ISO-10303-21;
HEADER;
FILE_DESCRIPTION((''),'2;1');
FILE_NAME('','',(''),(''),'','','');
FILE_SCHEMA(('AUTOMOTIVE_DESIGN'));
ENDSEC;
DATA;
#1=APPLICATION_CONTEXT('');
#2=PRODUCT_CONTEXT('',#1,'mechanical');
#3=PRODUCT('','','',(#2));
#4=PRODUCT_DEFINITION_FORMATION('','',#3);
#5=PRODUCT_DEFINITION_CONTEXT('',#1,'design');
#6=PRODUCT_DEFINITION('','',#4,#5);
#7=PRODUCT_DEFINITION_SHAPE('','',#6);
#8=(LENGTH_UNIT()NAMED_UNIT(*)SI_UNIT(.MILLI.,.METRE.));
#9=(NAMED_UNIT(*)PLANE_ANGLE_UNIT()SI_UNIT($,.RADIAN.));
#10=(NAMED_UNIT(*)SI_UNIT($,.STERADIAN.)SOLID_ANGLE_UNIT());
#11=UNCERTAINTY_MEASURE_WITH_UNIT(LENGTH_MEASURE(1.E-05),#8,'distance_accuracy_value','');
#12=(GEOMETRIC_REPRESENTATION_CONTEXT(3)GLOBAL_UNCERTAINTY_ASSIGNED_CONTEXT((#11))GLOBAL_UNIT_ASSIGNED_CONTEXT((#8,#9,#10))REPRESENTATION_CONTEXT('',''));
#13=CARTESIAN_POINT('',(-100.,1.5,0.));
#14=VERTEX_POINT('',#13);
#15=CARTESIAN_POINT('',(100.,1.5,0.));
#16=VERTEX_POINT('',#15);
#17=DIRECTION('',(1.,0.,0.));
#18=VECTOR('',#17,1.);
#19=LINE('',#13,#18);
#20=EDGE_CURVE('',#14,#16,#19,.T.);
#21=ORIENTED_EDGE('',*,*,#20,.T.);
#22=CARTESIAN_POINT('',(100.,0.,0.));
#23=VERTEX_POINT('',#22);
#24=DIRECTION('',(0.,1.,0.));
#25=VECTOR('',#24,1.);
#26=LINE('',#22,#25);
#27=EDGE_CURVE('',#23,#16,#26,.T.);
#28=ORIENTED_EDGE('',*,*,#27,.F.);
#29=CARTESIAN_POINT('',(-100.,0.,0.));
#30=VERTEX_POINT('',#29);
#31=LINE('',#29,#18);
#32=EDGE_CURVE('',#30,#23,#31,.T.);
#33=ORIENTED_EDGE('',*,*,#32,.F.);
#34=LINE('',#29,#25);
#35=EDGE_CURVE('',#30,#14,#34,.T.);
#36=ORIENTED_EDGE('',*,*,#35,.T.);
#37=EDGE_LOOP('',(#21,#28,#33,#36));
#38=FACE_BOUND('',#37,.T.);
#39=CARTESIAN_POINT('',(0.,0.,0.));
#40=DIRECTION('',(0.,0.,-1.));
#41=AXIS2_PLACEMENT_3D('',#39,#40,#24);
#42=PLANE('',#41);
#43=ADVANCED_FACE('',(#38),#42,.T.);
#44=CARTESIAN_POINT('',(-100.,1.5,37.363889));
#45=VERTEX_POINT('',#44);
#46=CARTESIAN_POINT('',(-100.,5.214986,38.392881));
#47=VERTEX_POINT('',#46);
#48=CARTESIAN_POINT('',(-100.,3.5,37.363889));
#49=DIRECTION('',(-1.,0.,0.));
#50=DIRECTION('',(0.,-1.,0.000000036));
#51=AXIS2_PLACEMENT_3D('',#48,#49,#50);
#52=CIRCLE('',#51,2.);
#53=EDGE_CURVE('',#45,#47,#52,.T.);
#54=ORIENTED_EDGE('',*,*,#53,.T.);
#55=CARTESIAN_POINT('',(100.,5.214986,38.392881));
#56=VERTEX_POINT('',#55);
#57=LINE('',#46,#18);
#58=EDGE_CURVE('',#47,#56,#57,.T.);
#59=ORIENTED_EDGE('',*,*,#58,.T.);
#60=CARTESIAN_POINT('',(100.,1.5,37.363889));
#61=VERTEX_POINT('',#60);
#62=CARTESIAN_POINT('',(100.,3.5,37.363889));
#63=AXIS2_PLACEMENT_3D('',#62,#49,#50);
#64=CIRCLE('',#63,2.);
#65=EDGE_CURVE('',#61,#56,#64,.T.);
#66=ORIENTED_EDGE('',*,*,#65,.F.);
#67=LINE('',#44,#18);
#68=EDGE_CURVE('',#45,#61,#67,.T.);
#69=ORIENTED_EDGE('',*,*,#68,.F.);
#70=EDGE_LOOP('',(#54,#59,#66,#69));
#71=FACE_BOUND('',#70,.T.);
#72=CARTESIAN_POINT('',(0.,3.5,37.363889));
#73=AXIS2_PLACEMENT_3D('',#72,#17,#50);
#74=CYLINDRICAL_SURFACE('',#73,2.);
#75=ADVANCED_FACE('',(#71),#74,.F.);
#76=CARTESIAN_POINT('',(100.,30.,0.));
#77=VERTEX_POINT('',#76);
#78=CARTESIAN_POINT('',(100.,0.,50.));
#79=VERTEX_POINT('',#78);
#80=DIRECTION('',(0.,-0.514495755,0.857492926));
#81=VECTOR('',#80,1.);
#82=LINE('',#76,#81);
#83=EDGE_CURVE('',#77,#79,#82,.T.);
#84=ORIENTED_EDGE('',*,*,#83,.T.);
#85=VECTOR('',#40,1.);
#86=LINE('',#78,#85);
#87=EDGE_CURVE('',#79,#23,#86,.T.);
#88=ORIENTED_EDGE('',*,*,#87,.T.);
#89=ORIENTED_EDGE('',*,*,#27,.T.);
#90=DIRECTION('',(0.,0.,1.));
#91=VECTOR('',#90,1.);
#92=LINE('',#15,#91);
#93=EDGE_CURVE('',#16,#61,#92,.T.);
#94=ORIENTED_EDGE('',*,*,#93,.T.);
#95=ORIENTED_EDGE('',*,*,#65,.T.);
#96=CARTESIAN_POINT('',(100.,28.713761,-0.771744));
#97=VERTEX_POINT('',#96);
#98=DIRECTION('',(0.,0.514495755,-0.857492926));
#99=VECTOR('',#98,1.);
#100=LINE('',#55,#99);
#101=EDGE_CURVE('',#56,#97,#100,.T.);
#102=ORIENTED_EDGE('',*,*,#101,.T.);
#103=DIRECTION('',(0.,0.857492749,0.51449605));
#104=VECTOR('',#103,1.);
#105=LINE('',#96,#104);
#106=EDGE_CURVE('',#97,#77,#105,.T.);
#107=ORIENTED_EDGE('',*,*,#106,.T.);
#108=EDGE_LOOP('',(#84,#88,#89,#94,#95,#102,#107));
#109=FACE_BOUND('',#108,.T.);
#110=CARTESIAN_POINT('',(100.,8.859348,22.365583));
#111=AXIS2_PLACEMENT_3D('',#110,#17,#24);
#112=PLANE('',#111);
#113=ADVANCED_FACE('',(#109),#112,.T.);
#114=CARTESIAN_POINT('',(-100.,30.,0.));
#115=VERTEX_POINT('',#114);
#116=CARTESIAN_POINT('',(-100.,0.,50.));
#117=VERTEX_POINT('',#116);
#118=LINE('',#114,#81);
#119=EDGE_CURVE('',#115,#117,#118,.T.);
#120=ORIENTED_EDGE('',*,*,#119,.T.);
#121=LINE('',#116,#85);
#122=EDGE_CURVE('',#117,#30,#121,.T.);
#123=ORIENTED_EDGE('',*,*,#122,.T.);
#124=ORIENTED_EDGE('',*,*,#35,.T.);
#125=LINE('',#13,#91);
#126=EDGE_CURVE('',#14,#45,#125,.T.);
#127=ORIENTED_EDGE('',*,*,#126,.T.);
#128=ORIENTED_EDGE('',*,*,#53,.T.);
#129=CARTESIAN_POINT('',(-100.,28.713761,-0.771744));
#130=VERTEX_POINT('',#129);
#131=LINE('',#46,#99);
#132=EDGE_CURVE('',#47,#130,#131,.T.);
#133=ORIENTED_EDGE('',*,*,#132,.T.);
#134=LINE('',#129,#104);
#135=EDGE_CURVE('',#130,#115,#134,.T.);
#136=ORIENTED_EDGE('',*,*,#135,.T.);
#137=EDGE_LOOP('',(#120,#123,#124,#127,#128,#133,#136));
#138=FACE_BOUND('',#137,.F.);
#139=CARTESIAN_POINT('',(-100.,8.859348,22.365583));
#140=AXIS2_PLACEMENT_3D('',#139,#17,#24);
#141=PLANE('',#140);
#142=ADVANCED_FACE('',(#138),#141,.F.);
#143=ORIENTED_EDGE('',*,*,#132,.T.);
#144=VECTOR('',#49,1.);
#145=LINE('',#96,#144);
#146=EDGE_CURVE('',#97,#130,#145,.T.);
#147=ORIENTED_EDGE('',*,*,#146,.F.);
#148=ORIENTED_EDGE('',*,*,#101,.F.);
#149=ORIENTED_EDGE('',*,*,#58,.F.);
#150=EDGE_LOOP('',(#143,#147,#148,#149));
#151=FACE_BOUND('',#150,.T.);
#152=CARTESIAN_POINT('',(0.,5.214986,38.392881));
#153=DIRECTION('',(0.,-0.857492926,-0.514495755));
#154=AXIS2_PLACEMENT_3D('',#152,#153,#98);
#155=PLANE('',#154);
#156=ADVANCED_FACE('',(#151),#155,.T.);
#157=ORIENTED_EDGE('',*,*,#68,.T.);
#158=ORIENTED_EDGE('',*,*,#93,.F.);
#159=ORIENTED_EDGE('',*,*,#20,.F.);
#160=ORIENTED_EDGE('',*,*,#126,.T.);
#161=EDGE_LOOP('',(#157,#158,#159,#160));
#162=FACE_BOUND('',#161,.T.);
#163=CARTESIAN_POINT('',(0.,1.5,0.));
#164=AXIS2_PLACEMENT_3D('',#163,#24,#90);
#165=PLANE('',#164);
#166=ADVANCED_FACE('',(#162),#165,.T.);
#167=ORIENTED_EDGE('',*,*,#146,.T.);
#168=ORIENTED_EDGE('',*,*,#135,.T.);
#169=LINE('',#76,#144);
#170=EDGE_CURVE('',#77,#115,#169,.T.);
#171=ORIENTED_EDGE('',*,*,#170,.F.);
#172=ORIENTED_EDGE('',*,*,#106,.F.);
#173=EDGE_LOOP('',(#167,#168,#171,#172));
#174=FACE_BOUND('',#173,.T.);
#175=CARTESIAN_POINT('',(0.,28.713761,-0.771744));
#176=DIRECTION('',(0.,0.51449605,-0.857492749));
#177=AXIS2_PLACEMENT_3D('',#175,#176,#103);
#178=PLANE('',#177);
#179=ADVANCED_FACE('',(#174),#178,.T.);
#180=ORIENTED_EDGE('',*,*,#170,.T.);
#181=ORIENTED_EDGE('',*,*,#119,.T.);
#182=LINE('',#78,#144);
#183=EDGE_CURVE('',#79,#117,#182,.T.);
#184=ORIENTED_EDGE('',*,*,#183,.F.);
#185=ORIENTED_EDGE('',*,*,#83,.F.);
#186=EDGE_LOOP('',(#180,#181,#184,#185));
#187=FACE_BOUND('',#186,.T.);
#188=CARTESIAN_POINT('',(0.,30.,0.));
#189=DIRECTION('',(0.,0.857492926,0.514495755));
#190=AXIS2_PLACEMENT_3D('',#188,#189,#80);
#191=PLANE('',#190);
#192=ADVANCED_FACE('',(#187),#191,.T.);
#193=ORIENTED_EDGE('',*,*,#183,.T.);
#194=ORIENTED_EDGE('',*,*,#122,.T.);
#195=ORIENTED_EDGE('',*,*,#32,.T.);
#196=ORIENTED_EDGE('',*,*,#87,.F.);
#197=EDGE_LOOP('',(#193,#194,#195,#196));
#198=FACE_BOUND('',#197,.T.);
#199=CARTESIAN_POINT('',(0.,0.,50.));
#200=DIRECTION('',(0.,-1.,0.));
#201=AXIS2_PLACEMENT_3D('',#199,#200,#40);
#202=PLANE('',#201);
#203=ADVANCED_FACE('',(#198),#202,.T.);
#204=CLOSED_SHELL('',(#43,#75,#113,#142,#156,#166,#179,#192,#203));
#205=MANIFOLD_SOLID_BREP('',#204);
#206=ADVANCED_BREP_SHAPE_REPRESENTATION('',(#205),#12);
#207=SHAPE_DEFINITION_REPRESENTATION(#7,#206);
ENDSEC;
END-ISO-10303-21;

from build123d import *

# Parameters (mm, degrees)
F1_DEPTH = 100


with BuildPart() as f1:
    # F0 (on Right) → F1 (new body, symmetric)
    with BuildSketch(Plane.YZ):
        with BuildLine():
            Line((0, 50), (0, 0))
            Line((0, 0), (1.5, 0))
            Line((1.5, 0), (1.5, 37.363889))
            ThreePointArc((1.5, 37.363889), (2.966133, 39.291319), (5.214986, 38.392881))
            Line((5.214986, 38.392881), (28.713761, -0.771744))
            Line((28.713761, -0.771744), (30, 0))
            Line((30, 0), (0, 50))
        make_face()
    extrude(amount=F1_DEPTH, both=True)


solid = f1.part
